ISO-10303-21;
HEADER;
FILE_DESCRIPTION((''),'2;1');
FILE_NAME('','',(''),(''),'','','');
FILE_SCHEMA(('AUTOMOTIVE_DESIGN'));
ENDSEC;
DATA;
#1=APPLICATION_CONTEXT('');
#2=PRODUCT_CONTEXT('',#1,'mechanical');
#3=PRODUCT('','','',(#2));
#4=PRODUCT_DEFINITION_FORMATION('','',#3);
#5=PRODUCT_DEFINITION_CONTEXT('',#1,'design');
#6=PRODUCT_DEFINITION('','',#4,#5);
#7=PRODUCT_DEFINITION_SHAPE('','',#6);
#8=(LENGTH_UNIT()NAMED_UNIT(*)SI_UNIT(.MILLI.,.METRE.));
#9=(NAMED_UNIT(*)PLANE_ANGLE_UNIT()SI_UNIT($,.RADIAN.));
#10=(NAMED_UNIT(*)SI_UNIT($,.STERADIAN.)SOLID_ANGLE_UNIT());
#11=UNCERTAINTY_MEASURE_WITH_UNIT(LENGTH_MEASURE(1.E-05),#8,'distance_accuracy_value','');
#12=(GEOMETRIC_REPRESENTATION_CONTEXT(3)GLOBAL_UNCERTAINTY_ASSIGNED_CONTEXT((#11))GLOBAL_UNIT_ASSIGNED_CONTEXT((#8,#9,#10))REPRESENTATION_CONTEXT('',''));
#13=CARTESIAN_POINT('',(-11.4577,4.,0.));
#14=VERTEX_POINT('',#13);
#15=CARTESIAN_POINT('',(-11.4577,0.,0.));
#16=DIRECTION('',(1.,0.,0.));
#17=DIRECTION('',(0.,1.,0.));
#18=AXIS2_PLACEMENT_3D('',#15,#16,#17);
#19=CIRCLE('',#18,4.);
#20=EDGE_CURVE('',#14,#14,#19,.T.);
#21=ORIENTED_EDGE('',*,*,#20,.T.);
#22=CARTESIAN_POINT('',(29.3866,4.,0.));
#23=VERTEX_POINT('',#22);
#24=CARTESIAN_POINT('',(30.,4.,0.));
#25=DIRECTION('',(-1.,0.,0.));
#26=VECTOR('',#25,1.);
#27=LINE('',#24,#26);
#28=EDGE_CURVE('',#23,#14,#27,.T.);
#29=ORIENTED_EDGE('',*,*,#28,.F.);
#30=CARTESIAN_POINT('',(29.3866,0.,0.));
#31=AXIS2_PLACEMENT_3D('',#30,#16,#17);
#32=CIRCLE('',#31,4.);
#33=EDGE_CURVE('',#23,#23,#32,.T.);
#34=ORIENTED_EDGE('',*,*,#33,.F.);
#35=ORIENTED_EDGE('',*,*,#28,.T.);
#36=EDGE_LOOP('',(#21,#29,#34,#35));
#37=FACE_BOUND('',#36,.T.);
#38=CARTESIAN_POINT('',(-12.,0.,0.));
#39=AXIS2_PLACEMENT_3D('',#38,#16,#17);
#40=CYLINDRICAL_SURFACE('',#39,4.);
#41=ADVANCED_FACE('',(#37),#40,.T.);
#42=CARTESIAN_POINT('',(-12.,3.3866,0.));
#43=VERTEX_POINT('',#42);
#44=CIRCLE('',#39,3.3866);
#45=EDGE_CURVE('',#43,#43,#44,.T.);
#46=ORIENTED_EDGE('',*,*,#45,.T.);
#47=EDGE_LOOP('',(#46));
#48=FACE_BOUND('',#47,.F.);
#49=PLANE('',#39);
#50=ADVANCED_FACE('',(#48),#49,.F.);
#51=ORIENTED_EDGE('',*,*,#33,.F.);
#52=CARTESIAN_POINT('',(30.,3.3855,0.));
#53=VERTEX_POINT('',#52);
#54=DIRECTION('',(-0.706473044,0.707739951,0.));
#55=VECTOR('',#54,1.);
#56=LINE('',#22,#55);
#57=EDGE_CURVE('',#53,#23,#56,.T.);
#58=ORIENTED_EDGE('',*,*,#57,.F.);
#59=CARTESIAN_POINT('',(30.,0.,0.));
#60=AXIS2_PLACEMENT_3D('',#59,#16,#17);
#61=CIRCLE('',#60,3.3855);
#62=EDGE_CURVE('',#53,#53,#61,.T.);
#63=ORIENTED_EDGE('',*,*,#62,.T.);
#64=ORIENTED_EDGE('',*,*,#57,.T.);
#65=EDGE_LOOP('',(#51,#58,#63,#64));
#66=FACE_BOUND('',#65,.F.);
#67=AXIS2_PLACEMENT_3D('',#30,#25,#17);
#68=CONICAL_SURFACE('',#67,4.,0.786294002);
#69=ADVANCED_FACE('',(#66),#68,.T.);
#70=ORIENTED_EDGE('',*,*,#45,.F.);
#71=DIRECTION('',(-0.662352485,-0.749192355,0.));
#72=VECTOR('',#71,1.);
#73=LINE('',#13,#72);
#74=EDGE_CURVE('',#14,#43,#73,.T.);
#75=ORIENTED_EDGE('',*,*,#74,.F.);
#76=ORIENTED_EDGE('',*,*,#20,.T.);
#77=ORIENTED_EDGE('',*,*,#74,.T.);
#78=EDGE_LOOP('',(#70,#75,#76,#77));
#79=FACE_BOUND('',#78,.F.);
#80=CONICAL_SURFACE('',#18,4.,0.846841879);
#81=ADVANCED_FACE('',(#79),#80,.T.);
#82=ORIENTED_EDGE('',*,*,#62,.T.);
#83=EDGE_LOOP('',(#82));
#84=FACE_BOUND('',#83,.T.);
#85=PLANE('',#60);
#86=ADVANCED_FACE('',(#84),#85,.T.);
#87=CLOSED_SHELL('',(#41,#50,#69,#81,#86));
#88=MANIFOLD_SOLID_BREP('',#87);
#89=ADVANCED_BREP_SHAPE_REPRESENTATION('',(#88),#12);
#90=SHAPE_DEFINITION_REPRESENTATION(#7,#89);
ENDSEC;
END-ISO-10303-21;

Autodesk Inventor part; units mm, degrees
ref_plane "YZ Plane" through (0, 0, 0) normal (1, 0, 0) x (0, 1, 0)
ref_plane "XZ Plane" through (0, 0, 0) normal (0, 1, 0) x (-1, 0, 0)
sketch "Skizze1" plane through (0, 0, 0) normal (0, 0, 1) x (1, 0, 0)
  line L0 (30, 4) -> (30, 0)
  line L1 (-12, 0) -> (30, 0)
  line L2 (-20.4, 0) -> (38.4, 0) projected
  line L3 (0, 4.8) -> (0, -0.8) projected
  line L4 (-12, 4) -> (-12, 0)
  line L5 (8, 4) -> (8, 0) construction
  line L6 (-20.4, 0) -> (38.4, 0) projected
  line L7 (-12, 4) -> (30, 4)
  dimension "d4" = 12
  dimension "d5" = 30
  dimension "d6" = 22
  dimension "d13" = 8
revolve "Körper" add sketch "Skizze1" angle 360 about axis through (-12, 0, 0) along (1, 0, 0)
thread "Gewinde1" size "M8x1" class "6g" standard "ISO Metric profile" length 12
thread "Gewinde2" size "M8x1" class "6g" standard "ISO Metric profile" length 22.6135
chamfer "Fase1" distance 0.6145 distance2 0.6134 1 edges at (30, -4, 0) measured on face at (30, -0.0467, 2.2623)
chamfer "Fase2" distance 0.5423 distance2 0.6134 1 edges at (-12, -4, 0) measured on face at (15.591, 3.9482, -0.6416)
ref_plane "Work Plane1" through (2.75, 0, 0) normal (0, -1, 0) x (1, 0, 0)
equation "\"d4\" = KOH"
equation "\"d5\" = NLG"
equation "\"d6\" = GEL"
equation "\"d13\" = GD"
equation "\"d1\" = KOH"
equation "\"d7\" = GEL + GAL"
equation "\"d10\" = -0.5 * SPD + 0.5 * GD"
equation "\"d12\" = -0.5 * SPD + 0.5 * GD"
equation "\"NLG\" = 30"
equation "\"GEL\" = 22"
equation "\"GAL\" = 0.61345 * PTC"
equation "\"SPD\" = NND - 1.2269 * PTC"
equation "\"d0\" = GD"
equation "\"GUL\" = 0.61345 * PTC"
equation "\"KOH\" = 12"
equation "\"GD\" = NND"
equation "\"BDM\" = NND"
equation "\"GUL1\" = 0.54127"
equation "\"GAL1\" = GAL"
equation "\"d80\" = -GUL - GEL"
equation "\"d86\" = -KOH + GUL1"
equation "\"PTC\" = 1"
equation "\"THREADDIA\" = 8"
equation "\"TOA\" = 30deg"
equation "\"NND\" = 8"
equation "\"GD1\" = THREADDIA - 1.2269 * PTC"
properties part number "UNI 5910 - M8 x 1 x 30" material "Stahl, weich"
